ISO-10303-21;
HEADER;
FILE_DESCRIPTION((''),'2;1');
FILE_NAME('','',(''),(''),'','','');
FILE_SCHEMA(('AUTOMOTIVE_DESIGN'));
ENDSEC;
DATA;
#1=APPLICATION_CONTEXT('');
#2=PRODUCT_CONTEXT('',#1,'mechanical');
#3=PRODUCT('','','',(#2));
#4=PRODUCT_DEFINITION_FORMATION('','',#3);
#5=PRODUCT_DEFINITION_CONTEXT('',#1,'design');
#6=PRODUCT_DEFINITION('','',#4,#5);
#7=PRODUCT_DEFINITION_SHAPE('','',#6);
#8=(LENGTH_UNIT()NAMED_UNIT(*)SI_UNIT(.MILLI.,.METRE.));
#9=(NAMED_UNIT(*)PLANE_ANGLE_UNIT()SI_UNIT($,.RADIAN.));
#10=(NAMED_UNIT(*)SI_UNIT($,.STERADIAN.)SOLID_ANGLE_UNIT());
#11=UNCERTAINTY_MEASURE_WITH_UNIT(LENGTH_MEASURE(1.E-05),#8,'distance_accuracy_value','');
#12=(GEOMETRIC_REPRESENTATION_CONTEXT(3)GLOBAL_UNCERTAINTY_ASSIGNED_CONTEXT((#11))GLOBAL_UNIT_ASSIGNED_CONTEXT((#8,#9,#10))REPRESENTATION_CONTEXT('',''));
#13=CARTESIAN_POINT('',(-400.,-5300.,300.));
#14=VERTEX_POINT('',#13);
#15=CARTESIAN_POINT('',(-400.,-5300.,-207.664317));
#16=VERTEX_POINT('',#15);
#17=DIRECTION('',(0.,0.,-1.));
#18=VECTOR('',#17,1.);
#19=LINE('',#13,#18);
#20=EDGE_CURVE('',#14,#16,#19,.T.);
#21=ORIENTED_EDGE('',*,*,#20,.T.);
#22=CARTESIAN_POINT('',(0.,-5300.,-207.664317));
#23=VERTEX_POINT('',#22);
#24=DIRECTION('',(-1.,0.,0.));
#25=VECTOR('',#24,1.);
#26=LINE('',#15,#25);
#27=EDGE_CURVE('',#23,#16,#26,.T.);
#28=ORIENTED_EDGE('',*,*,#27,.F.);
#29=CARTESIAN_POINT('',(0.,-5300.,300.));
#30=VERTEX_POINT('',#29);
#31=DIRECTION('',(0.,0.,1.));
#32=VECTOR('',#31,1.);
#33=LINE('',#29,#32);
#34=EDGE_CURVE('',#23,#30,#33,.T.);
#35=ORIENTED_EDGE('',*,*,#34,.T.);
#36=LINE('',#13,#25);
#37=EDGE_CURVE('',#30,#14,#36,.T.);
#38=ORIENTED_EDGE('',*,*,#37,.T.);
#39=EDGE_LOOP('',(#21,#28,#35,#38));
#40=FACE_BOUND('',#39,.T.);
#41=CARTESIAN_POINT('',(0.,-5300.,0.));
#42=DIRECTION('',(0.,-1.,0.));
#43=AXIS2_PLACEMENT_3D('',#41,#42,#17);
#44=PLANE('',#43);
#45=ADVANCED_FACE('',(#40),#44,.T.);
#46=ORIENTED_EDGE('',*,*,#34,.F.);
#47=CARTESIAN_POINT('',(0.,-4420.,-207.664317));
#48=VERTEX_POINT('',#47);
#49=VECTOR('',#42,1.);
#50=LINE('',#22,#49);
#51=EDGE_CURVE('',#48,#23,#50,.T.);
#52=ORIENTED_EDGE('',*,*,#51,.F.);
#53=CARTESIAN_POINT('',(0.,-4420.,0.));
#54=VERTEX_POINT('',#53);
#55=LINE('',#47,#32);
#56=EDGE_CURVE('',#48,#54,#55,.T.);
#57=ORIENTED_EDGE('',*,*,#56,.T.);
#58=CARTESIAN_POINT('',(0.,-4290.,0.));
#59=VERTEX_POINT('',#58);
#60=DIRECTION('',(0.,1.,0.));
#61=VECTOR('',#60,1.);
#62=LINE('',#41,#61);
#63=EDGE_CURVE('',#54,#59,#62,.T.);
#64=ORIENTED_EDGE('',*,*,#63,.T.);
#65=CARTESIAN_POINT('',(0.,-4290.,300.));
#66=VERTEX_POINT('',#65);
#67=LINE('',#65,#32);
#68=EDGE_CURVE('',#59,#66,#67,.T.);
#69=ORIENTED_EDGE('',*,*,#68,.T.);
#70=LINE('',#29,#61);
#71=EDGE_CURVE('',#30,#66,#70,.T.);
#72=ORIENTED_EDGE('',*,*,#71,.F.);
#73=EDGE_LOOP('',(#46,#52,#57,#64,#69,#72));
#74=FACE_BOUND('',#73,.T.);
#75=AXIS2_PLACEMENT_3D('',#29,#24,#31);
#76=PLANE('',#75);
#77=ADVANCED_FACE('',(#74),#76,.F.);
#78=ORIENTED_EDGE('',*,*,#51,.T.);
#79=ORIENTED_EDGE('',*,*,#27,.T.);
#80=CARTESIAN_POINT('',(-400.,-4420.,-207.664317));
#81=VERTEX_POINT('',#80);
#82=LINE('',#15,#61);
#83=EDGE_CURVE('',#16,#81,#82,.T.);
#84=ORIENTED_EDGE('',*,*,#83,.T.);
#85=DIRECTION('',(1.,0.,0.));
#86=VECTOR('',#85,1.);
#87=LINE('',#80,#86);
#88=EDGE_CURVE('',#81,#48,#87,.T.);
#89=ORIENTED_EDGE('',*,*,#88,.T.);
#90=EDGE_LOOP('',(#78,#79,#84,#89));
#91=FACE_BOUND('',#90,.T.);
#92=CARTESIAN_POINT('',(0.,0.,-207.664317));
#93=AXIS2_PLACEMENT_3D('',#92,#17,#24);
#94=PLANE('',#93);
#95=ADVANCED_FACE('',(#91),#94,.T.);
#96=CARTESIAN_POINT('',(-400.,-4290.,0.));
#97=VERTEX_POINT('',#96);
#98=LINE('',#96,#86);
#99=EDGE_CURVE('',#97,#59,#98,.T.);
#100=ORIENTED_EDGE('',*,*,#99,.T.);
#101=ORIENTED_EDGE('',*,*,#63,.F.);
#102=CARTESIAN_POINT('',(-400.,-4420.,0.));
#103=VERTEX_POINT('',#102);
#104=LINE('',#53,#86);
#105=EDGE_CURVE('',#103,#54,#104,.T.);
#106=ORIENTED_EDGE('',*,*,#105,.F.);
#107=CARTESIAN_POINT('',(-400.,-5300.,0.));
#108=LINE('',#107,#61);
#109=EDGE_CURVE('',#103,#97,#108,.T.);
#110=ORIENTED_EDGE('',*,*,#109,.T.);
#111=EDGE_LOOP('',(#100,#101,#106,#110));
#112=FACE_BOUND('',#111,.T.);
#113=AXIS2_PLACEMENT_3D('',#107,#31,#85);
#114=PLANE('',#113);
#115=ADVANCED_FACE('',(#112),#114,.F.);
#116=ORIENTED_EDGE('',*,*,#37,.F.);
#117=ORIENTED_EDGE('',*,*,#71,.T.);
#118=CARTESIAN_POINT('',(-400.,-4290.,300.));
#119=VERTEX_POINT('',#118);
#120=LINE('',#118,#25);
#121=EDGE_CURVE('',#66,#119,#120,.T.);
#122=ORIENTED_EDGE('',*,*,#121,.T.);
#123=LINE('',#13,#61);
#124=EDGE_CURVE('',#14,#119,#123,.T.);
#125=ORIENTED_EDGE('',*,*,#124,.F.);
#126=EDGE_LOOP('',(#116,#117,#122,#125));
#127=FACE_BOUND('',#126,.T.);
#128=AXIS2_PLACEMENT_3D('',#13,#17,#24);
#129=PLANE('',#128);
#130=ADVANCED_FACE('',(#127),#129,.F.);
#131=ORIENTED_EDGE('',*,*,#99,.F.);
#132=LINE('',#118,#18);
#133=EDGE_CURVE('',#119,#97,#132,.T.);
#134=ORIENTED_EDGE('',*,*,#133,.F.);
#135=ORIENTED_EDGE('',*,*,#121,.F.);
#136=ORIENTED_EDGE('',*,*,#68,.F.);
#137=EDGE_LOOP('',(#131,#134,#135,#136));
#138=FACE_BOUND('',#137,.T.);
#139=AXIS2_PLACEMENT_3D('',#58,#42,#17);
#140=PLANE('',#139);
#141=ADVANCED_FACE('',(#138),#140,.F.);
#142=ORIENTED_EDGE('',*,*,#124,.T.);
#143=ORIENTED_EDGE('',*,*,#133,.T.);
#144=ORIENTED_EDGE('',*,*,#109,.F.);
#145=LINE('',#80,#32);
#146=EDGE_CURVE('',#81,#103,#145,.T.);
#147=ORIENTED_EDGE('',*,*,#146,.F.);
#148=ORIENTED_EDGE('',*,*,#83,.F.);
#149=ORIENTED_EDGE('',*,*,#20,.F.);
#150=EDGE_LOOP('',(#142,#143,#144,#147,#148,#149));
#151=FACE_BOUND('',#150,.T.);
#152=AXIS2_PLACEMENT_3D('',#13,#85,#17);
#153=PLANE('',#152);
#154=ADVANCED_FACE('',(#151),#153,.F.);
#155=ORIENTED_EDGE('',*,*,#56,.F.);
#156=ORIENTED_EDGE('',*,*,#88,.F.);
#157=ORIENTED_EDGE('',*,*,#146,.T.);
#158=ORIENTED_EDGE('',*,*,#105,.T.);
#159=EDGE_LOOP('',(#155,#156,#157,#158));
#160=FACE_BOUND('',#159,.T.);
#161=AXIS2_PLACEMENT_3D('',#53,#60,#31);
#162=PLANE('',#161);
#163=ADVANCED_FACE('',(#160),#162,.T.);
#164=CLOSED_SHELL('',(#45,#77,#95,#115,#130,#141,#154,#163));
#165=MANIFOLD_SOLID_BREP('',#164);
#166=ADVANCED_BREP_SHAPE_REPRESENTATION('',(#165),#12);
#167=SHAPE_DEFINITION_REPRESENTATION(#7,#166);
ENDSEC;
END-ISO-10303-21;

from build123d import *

# Parameters (mm, degrees)
SKETCH1_W           = 400
SKETCH1_H           = 300
BOSS_EXTRUDE1_DEPTH = 1010


with BuildPart() as part:
    # Sketch1 → Boss-Extrude1 (new body)
    with BuildSketch(Plane.XZ.offset(4290)):
        with Locations((-200, 150)):
            Rectangle(SKETCH1_W, SKETCH1_H)
    extrude(amount=BOSS_EXTRUDE1_DEPTH)

    # Sketch2 → Loft1 section 0
    with BuildSketch(Plane(origin=(0, 0, -207.664317166), x_dir=(-1, 0, 0), z_dir=(0, 0, -1))):
        with BuildLine():
            Line((400, -5300), (0, -5300))
            Line((0, -5300), (0, -4420))
            Line((0, -4420), (400, -4420))
            Line((400, -4420), (400, -5300))
        make_face()
    # Sketch4 → Loft1 section 1
    with BuildSketch(Plane(origin=(0, 0, 0), x_dir=(-1, 0, 0), z_dir=(0, 0, -1))):
        with BuildLine():
            Line((0, -5300), (400, -5300))
            Line((400, -5300), (400, -4420))
            Line((400, -4420), (0, -4420))
            Line((0, -4420), (0, -5300))
        make_face()
    loft()


solid = part.part
